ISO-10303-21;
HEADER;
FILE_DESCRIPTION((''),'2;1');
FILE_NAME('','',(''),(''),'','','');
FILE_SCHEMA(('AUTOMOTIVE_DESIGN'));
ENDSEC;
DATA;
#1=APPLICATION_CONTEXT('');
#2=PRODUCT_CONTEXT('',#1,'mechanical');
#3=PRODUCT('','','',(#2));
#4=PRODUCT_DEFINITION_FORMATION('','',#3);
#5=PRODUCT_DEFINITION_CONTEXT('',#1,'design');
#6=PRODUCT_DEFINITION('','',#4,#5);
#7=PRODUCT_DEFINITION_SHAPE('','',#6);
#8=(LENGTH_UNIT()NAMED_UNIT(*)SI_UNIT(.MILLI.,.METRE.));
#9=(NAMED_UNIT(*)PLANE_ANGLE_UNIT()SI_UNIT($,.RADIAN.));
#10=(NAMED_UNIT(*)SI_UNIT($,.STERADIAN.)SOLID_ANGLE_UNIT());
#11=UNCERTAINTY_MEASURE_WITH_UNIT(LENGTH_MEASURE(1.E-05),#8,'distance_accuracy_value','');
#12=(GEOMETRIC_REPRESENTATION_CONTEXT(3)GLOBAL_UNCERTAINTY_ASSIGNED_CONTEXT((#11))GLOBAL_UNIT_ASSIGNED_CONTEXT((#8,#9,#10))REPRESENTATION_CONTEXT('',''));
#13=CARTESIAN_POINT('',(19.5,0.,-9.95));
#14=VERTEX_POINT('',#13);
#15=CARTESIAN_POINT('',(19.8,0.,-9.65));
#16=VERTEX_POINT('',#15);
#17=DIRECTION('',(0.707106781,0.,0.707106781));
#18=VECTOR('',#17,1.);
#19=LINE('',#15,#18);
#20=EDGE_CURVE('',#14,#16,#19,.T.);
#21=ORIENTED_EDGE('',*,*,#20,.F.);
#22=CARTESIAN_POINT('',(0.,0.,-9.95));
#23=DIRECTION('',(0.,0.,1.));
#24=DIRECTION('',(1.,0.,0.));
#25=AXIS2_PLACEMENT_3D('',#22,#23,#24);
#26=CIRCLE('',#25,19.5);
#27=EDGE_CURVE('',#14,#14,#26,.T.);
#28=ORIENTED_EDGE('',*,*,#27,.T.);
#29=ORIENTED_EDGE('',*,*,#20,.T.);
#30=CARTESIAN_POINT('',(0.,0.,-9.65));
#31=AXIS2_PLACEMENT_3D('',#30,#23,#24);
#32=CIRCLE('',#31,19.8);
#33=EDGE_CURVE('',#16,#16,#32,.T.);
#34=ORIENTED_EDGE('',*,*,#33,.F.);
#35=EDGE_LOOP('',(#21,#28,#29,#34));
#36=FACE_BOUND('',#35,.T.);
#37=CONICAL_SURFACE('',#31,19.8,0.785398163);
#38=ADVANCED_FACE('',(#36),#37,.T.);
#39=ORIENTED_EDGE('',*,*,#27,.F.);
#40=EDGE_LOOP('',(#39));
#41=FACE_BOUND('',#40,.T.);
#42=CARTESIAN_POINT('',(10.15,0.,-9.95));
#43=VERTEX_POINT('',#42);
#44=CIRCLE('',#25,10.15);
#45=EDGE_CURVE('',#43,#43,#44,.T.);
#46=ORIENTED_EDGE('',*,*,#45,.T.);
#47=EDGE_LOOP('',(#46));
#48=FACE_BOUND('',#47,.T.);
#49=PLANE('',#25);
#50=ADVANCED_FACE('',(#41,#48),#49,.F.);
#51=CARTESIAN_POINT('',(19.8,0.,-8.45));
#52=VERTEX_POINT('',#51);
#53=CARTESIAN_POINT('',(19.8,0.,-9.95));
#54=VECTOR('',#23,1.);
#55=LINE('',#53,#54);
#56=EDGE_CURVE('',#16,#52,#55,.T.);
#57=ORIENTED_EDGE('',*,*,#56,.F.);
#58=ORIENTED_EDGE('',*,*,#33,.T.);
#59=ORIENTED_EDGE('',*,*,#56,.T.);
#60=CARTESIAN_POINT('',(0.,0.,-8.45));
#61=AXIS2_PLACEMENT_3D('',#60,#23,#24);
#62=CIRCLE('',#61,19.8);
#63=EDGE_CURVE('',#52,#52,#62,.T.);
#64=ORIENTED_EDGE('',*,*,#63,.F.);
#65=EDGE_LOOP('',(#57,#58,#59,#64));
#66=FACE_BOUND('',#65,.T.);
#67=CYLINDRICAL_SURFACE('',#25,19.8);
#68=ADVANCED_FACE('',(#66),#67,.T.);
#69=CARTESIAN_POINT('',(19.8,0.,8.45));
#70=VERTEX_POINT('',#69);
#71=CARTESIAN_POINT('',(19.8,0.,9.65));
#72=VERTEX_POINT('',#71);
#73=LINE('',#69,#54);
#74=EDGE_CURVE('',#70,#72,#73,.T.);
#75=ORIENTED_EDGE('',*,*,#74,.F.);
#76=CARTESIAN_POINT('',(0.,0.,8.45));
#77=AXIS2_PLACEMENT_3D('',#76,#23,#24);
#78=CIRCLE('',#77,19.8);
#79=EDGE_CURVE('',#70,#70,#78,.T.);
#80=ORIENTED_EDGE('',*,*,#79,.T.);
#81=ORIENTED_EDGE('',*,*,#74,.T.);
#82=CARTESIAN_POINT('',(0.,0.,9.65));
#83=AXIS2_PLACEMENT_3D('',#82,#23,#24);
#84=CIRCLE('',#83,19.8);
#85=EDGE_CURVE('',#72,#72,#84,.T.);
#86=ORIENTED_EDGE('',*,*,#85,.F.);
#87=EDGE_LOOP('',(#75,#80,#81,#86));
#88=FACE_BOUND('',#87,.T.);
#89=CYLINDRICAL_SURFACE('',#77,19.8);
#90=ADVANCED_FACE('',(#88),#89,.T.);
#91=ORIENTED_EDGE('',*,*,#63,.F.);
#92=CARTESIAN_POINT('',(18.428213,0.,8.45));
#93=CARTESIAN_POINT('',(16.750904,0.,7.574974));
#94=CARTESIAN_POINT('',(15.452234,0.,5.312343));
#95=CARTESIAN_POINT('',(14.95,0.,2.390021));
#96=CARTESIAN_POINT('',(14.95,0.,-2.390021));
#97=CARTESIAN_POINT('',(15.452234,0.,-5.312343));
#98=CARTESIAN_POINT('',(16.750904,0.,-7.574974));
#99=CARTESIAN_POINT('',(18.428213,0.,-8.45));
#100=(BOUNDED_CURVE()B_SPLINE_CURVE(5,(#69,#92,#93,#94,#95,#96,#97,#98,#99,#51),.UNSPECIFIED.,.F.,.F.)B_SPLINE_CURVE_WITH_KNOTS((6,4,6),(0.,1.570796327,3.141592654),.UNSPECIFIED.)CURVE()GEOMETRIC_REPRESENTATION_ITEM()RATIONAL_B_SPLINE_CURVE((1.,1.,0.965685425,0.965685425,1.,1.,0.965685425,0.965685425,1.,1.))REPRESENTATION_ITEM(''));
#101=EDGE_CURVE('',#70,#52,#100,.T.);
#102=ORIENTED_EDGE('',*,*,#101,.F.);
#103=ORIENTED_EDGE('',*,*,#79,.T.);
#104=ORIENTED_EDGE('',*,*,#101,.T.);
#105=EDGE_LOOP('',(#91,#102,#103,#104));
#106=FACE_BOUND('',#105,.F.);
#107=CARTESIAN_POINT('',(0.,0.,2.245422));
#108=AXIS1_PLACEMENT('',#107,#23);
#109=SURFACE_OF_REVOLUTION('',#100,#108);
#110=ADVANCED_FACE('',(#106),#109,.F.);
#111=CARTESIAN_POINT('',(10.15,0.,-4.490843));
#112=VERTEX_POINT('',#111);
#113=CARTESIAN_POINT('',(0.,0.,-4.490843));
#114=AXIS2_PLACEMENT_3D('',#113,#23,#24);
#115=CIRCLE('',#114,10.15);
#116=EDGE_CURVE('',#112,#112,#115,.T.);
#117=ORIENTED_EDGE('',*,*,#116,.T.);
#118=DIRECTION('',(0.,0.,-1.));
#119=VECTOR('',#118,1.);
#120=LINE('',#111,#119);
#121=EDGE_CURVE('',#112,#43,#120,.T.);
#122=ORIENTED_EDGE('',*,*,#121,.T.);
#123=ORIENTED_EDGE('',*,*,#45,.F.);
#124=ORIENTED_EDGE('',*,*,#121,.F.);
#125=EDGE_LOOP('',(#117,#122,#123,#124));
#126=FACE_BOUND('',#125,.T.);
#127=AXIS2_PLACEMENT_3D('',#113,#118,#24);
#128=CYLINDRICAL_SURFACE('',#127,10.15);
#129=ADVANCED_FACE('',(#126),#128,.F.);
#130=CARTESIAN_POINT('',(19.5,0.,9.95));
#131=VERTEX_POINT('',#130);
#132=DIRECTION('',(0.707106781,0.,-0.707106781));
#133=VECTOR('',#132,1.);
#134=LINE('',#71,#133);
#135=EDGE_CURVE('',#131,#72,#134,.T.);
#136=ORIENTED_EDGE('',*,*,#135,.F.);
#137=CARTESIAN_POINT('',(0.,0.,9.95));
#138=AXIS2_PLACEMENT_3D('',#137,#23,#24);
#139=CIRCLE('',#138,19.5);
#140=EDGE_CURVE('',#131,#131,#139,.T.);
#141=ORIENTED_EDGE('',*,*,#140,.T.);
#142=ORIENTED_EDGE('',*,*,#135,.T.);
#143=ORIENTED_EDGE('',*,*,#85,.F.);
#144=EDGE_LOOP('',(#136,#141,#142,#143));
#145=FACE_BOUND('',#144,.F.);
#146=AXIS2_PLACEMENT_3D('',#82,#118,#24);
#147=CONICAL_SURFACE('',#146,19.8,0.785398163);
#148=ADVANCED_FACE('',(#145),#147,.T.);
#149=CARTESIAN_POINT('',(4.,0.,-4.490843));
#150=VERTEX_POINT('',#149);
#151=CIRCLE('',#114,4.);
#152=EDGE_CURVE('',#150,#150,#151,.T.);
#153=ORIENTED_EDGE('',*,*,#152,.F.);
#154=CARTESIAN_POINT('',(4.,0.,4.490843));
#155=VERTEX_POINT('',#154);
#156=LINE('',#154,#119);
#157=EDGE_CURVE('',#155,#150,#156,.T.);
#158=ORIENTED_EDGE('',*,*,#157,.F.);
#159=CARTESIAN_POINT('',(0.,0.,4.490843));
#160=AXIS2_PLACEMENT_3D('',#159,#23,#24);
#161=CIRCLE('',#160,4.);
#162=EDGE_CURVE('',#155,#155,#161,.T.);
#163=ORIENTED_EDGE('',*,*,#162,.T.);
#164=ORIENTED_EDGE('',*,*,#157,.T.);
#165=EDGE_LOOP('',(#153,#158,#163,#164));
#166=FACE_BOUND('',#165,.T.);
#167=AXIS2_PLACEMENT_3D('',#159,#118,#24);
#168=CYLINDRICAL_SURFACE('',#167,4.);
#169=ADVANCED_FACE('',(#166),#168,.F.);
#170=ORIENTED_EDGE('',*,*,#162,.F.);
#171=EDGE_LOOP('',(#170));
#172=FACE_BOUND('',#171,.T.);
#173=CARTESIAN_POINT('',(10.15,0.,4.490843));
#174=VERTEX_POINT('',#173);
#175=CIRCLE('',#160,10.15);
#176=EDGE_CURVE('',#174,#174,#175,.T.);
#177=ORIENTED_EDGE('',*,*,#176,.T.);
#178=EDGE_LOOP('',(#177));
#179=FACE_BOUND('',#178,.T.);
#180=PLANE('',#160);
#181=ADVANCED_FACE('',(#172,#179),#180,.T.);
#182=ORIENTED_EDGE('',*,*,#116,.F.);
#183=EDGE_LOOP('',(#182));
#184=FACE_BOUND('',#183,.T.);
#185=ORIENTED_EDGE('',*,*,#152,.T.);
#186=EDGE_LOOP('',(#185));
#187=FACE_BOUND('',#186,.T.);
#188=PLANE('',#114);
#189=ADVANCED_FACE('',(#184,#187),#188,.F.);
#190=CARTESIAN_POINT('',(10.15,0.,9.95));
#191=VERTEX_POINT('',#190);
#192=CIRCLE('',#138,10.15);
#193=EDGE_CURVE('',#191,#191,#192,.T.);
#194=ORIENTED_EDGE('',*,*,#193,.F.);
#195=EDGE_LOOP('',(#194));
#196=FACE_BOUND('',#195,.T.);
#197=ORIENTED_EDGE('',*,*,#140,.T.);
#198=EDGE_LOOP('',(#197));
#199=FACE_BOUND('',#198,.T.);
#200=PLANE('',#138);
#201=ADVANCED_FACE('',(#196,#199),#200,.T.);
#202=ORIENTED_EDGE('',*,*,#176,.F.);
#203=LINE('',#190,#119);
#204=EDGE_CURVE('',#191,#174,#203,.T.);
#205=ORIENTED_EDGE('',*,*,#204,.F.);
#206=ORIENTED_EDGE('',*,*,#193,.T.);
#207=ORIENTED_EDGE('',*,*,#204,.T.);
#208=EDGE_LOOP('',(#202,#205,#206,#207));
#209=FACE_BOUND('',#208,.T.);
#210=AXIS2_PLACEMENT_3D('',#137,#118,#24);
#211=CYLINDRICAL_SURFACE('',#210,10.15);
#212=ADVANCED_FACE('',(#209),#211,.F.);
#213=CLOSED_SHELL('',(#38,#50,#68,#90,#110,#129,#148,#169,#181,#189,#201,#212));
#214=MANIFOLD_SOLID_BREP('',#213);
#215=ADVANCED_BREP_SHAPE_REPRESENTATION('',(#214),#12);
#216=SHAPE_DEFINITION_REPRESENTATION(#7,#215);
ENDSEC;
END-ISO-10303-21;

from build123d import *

# Parameters (mm, degrees)
F2_SIZE = 0.3


with BuildPart() as f1:
    # F0 (on Front) → F1 (revolve)
    with BuildSketch(Plane.XZ):
        with BuildLine():
            Line((19.8, 9.95), (10.15, 9.95))
            Line((10.15, 9.95), (10.15, 4.4908430427))
            Line((10.15, 4.4908430427), (4, 4.4908430427))
            Line((4, 4.4908430427), (4, -4.4908430427))
            Line((4, -4.4908430427), (10.15, -4.4908430427))
            Line((10.15, -4.4908430427), (10.15, -9.95))
            Line((10.15, -9.95), (19.8, -9.95))
            Line((19.8, -9.95), (19.8, -8.45))
            add(Edge.make_bspline(
                [(14.95, 0), (14.95, -8.45), (19.8, -8.45)],
                knots=[4.7123889804, 4.7123889804, 4.7123889804, 6.2831853072, 6.2831853072, 6.2831853072], degree=2, weights=[1, 0.7071067812, 1]))
            add(Edge.make_bspline(
                [(19.8, 8.45), (14.95, 8.45), (14.95, 0)],
                knots=[0, 0, 0, 1.5707963268, 1.5707963268, 1.5707963268], degree=2, weights=[1, 0.7071067812, 1]))
            Line((19.8, 8.45), (19.8, 9.95))
        make_face()
    revolve(axis=Axis((0, 0, 2.2454215214), (0, 0, 1)))

    # F2
    f2_edges = [f1.edges().sort_by_distance(p)[0] for p in [
        (-19.8, 0, 9.95),
        (-19.8, 0, -9.95),
    ]]
    chamfer(f2_edges, length=F2_SIZE)


solid = f1.part
